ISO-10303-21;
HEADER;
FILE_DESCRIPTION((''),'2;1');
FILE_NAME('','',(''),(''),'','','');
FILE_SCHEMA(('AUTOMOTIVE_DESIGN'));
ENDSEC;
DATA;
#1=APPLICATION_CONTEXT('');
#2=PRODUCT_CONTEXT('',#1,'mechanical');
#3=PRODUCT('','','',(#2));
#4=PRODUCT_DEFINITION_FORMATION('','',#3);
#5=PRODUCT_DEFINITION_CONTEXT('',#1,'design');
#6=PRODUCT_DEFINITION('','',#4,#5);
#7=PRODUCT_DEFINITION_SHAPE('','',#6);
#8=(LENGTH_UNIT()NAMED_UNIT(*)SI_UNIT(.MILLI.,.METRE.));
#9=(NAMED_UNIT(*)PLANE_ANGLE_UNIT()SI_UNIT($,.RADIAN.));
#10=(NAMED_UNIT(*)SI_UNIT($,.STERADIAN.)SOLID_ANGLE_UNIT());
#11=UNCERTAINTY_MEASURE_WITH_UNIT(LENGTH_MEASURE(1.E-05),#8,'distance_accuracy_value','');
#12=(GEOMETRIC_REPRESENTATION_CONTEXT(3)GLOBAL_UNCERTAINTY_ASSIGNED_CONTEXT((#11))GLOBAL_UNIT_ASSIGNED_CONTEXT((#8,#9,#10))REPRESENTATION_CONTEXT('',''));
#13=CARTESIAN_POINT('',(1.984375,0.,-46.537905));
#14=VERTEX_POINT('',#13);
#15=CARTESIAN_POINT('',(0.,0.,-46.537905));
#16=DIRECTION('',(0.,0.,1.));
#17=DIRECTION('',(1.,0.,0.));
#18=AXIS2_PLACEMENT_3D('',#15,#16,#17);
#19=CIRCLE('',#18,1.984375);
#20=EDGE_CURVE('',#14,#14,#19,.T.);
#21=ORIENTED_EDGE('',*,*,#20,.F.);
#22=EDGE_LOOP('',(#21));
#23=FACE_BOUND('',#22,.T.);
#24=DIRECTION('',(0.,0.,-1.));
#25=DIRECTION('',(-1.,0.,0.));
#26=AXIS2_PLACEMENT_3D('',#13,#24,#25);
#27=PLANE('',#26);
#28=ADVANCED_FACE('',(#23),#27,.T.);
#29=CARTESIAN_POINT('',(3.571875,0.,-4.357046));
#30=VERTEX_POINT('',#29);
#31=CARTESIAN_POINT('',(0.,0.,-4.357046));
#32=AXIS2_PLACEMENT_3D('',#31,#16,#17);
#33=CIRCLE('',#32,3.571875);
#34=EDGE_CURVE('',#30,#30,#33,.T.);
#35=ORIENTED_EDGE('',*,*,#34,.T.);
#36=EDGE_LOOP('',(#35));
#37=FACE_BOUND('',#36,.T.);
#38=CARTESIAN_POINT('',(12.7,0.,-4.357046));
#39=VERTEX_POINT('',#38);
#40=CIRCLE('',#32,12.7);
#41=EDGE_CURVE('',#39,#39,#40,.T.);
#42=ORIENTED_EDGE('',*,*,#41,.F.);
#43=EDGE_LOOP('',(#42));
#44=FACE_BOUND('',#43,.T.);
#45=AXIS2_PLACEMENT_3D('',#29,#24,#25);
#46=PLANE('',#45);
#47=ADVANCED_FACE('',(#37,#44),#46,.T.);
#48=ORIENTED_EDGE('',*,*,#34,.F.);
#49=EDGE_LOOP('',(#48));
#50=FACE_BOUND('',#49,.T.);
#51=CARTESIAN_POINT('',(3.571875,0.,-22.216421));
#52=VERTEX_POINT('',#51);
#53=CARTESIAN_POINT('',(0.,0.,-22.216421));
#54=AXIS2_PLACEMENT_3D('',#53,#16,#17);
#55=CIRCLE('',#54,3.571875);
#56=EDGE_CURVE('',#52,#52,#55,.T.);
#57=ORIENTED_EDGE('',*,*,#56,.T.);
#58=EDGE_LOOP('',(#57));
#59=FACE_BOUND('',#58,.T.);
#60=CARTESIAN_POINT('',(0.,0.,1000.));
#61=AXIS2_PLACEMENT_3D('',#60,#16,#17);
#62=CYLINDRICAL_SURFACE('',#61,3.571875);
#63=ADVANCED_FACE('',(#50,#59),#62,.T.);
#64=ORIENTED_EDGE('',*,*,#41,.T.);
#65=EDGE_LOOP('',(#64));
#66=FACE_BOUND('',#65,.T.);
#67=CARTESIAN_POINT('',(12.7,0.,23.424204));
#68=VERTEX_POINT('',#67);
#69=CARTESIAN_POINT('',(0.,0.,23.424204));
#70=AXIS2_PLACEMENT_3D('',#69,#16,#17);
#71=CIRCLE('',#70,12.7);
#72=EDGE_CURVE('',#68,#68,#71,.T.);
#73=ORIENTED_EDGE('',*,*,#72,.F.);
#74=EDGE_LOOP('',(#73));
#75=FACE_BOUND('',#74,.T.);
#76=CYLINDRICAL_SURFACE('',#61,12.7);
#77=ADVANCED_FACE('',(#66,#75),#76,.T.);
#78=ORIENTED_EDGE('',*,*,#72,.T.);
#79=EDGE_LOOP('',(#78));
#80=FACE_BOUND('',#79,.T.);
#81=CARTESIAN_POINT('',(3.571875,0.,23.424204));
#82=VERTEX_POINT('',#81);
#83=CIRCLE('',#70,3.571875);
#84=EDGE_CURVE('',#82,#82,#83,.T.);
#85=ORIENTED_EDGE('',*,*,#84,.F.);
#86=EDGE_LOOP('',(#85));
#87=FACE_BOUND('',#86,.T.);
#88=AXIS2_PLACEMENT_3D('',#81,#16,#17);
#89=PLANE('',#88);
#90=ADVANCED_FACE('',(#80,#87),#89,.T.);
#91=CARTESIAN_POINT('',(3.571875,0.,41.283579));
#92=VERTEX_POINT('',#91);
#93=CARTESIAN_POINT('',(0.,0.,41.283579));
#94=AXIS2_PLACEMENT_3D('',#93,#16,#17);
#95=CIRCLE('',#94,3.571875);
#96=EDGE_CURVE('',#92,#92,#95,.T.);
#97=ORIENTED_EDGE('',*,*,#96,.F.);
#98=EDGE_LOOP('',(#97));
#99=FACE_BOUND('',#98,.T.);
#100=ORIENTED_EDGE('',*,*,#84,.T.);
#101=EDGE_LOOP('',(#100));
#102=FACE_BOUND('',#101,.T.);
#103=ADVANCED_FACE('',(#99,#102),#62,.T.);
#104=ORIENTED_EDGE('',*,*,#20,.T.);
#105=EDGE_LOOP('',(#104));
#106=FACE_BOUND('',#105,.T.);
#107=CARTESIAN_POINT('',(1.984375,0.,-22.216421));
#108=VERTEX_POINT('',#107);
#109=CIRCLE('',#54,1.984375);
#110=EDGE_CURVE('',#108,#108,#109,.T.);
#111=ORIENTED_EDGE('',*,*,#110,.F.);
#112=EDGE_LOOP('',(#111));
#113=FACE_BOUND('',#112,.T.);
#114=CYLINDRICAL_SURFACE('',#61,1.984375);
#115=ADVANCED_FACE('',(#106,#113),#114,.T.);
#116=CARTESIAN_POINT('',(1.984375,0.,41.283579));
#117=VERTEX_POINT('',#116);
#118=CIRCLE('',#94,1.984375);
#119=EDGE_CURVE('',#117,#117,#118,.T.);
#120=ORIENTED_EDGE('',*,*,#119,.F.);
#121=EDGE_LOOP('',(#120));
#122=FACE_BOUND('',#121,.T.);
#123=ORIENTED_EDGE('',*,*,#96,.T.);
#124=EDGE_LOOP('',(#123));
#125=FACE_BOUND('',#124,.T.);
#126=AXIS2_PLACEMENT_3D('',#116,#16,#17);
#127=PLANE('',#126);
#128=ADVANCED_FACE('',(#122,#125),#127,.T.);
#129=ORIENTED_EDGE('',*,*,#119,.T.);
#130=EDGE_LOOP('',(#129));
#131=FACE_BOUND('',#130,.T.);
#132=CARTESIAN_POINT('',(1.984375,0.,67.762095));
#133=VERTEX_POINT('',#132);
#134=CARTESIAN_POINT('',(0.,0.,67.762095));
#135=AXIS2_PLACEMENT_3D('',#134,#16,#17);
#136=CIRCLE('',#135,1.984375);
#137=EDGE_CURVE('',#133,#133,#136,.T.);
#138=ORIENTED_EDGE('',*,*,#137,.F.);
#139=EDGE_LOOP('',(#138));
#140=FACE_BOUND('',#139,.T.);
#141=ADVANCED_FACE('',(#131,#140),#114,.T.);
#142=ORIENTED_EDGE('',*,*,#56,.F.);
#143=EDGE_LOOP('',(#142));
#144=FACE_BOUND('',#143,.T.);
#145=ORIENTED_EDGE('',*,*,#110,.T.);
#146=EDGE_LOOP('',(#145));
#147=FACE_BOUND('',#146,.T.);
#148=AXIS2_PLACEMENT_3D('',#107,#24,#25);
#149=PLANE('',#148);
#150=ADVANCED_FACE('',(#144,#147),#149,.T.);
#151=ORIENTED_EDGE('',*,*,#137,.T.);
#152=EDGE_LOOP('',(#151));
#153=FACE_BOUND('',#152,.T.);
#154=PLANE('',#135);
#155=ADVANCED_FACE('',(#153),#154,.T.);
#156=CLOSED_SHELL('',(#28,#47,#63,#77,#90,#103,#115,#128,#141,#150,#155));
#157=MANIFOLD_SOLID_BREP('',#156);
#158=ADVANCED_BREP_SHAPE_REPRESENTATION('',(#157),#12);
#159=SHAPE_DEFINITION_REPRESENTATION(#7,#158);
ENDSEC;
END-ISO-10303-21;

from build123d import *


with BuildPart() as part:
    # Sketch1 → Revolve2 (revolve)
    with BuildSketch(Plane(origin=(0, 0, 0), x_dir=(1, 0, 0), z_dir=(0, 1, 0))):
        Polygon((12.7, -23.424204442), (12.7, 4.357045558), (3.571875, 4.357045558), (3.571875, 22.216420558), (1.984375, 22.216420558), (1.984375, 46.537904999), (0, 46.537904999), (0, 22.216420558), (0, -41.283579442), (0, -67.762095001), (1.984375, -67.762095001), (1.984375, -41.283579442), (3.571875, -41.283579442), (3.571875, -23.424204442), align=None)
    revolve(axis=Axis((0, 0, 1000), (0, 0, -1)))


solid = part.part
